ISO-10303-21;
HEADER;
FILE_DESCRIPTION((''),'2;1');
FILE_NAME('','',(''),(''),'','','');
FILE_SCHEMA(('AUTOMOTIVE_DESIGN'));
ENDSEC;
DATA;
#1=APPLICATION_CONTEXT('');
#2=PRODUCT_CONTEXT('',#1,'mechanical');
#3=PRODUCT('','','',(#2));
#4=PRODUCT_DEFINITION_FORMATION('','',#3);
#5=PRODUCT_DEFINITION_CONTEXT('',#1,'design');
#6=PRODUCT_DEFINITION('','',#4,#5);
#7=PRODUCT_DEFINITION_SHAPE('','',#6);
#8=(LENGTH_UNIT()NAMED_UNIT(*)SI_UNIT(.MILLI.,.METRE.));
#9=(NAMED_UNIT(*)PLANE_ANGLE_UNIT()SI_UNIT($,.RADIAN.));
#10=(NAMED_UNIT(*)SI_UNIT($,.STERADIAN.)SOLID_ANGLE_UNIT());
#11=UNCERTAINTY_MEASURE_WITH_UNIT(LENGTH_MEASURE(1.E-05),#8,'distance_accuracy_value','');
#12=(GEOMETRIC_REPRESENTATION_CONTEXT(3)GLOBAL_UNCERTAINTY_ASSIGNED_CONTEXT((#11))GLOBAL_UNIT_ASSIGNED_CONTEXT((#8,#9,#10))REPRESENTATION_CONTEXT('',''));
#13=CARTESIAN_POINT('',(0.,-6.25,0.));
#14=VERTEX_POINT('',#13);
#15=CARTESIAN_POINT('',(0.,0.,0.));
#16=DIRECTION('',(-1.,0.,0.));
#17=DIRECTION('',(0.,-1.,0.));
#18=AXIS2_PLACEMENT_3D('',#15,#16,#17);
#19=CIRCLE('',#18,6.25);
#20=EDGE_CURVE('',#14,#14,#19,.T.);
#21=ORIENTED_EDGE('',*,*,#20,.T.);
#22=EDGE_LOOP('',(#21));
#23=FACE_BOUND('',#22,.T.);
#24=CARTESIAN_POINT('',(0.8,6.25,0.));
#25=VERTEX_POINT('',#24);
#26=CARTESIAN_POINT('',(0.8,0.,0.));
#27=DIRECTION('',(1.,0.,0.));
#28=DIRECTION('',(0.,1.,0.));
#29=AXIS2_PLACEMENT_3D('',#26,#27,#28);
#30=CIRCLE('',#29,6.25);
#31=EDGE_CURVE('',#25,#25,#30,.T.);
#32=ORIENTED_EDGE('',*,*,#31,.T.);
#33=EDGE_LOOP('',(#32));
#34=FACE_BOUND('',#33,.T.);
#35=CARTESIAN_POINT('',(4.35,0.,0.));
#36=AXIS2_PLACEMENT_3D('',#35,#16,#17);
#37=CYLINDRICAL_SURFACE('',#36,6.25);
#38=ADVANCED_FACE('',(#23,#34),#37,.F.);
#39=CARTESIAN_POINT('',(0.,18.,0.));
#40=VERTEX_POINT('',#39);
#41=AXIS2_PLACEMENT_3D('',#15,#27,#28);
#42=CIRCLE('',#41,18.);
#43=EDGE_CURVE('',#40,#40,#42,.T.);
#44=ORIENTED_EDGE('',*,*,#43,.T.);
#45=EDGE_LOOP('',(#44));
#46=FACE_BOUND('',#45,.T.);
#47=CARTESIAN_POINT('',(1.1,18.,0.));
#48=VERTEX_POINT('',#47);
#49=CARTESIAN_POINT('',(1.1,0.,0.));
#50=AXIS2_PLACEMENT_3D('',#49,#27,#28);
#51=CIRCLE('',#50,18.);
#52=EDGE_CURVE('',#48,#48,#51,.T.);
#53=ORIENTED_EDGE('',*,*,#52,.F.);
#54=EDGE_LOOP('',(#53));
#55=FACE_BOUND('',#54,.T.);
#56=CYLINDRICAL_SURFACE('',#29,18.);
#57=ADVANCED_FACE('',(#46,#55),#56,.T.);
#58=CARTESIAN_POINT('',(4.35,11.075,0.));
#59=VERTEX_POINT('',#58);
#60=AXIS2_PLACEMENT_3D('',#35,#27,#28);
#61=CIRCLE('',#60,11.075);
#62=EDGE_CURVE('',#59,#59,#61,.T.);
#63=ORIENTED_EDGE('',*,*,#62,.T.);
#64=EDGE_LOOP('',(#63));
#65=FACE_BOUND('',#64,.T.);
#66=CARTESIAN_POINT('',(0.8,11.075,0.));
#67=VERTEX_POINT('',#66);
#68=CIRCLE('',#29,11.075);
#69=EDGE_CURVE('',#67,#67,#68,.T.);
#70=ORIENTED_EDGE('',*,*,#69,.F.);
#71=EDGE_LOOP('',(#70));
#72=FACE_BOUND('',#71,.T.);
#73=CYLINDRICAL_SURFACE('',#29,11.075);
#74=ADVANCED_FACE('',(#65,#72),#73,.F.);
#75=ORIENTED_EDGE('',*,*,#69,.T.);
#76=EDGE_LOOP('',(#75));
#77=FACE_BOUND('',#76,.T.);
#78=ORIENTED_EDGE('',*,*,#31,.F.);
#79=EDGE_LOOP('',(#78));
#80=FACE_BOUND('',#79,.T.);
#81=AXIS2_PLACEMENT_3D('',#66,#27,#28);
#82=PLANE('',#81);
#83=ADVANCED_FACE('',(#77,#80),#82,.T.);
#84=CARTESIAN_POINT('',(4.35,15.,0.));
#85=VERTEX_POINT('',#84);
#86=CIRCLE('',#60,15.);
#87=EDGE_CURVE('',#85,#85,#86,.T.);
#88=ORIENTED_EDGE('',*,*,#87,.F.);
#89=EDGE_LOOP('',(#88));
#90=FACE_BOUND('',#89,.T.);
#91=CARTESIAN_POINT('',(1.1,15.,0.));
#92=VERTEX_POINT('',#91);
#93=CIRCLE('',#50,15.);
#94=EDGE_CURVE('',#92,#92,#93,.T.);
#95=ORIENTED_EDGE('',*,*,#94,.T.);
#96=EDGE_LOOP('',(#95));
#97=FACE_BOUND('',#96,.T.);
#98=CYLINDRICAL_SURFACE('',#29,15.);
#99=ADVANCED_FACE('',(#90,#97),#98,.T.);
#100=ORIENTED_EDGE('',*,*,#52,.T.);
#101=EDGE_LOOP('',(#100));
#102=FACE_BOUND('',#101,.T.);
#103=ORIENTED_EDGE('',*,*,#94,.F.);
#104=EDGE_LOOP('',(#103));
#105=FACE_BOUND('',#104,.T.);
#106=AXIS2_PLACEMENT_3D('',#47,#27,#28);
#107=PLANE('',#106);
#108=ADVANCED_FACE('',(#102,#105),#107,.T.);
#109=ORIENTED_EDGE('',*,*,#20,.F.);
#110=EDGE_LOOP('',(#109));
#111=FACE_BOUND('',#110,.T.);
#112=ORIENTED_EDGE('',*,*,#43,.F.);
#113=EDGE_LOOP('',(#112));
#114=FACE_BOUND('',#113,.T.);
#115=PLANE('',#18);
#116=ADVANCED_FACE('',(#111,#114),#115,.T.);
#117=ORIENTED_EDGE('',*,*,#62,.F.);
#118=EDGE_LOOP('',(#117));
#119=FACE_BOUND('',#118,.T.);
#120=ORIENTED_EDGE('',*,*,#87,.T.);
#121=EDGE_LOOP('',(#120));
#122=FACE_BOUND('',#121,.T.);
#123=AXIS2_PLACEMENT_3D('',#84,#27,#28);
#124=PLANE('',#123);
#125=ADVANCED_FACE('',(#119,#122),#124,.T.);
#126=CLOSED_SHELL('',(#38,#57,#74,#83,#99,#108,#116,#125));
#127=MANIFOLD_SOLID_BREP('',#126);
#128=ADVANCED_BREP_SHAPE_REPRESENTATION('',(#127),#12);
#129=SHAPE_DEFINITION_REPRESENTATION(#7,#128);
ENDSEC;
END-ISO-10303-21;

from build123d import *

# Parameters (mm, degrees)
SKIZZE2_R                       = 6.25
SCHNITT_LINEAR_AUSTRAGEN1_DEPTH = 26.824842691


with BuildPart() as part:
    # Skizze1 → Rotation2 (revolve)
    with BuildSketch(Plane.XY):
        Polygon((0, 0), (0, 18), (1.1, 18), (1.1, 15), (4.35, 15), (4.35, 11.075), (0.8, 11.075), (0.8, 0), align=None)
    revolve(axis=Axis((0.8, 0, 0), (-1, 0, 0)))

    # Skizze2 → Schnitt-Linear austragen1 (cut, through all)
    with BuildSketch(Plane.ZY):
        with Locations(Location((0, 0, 0), (0, 0, 270))):
            Circle(SKIZZE2_R)
    extrude(amount=-SCHNITT_LINEAR_AUSTRAGEN1_DEPTH, mode=Mode.SUBTRACT)


solid = part.part
